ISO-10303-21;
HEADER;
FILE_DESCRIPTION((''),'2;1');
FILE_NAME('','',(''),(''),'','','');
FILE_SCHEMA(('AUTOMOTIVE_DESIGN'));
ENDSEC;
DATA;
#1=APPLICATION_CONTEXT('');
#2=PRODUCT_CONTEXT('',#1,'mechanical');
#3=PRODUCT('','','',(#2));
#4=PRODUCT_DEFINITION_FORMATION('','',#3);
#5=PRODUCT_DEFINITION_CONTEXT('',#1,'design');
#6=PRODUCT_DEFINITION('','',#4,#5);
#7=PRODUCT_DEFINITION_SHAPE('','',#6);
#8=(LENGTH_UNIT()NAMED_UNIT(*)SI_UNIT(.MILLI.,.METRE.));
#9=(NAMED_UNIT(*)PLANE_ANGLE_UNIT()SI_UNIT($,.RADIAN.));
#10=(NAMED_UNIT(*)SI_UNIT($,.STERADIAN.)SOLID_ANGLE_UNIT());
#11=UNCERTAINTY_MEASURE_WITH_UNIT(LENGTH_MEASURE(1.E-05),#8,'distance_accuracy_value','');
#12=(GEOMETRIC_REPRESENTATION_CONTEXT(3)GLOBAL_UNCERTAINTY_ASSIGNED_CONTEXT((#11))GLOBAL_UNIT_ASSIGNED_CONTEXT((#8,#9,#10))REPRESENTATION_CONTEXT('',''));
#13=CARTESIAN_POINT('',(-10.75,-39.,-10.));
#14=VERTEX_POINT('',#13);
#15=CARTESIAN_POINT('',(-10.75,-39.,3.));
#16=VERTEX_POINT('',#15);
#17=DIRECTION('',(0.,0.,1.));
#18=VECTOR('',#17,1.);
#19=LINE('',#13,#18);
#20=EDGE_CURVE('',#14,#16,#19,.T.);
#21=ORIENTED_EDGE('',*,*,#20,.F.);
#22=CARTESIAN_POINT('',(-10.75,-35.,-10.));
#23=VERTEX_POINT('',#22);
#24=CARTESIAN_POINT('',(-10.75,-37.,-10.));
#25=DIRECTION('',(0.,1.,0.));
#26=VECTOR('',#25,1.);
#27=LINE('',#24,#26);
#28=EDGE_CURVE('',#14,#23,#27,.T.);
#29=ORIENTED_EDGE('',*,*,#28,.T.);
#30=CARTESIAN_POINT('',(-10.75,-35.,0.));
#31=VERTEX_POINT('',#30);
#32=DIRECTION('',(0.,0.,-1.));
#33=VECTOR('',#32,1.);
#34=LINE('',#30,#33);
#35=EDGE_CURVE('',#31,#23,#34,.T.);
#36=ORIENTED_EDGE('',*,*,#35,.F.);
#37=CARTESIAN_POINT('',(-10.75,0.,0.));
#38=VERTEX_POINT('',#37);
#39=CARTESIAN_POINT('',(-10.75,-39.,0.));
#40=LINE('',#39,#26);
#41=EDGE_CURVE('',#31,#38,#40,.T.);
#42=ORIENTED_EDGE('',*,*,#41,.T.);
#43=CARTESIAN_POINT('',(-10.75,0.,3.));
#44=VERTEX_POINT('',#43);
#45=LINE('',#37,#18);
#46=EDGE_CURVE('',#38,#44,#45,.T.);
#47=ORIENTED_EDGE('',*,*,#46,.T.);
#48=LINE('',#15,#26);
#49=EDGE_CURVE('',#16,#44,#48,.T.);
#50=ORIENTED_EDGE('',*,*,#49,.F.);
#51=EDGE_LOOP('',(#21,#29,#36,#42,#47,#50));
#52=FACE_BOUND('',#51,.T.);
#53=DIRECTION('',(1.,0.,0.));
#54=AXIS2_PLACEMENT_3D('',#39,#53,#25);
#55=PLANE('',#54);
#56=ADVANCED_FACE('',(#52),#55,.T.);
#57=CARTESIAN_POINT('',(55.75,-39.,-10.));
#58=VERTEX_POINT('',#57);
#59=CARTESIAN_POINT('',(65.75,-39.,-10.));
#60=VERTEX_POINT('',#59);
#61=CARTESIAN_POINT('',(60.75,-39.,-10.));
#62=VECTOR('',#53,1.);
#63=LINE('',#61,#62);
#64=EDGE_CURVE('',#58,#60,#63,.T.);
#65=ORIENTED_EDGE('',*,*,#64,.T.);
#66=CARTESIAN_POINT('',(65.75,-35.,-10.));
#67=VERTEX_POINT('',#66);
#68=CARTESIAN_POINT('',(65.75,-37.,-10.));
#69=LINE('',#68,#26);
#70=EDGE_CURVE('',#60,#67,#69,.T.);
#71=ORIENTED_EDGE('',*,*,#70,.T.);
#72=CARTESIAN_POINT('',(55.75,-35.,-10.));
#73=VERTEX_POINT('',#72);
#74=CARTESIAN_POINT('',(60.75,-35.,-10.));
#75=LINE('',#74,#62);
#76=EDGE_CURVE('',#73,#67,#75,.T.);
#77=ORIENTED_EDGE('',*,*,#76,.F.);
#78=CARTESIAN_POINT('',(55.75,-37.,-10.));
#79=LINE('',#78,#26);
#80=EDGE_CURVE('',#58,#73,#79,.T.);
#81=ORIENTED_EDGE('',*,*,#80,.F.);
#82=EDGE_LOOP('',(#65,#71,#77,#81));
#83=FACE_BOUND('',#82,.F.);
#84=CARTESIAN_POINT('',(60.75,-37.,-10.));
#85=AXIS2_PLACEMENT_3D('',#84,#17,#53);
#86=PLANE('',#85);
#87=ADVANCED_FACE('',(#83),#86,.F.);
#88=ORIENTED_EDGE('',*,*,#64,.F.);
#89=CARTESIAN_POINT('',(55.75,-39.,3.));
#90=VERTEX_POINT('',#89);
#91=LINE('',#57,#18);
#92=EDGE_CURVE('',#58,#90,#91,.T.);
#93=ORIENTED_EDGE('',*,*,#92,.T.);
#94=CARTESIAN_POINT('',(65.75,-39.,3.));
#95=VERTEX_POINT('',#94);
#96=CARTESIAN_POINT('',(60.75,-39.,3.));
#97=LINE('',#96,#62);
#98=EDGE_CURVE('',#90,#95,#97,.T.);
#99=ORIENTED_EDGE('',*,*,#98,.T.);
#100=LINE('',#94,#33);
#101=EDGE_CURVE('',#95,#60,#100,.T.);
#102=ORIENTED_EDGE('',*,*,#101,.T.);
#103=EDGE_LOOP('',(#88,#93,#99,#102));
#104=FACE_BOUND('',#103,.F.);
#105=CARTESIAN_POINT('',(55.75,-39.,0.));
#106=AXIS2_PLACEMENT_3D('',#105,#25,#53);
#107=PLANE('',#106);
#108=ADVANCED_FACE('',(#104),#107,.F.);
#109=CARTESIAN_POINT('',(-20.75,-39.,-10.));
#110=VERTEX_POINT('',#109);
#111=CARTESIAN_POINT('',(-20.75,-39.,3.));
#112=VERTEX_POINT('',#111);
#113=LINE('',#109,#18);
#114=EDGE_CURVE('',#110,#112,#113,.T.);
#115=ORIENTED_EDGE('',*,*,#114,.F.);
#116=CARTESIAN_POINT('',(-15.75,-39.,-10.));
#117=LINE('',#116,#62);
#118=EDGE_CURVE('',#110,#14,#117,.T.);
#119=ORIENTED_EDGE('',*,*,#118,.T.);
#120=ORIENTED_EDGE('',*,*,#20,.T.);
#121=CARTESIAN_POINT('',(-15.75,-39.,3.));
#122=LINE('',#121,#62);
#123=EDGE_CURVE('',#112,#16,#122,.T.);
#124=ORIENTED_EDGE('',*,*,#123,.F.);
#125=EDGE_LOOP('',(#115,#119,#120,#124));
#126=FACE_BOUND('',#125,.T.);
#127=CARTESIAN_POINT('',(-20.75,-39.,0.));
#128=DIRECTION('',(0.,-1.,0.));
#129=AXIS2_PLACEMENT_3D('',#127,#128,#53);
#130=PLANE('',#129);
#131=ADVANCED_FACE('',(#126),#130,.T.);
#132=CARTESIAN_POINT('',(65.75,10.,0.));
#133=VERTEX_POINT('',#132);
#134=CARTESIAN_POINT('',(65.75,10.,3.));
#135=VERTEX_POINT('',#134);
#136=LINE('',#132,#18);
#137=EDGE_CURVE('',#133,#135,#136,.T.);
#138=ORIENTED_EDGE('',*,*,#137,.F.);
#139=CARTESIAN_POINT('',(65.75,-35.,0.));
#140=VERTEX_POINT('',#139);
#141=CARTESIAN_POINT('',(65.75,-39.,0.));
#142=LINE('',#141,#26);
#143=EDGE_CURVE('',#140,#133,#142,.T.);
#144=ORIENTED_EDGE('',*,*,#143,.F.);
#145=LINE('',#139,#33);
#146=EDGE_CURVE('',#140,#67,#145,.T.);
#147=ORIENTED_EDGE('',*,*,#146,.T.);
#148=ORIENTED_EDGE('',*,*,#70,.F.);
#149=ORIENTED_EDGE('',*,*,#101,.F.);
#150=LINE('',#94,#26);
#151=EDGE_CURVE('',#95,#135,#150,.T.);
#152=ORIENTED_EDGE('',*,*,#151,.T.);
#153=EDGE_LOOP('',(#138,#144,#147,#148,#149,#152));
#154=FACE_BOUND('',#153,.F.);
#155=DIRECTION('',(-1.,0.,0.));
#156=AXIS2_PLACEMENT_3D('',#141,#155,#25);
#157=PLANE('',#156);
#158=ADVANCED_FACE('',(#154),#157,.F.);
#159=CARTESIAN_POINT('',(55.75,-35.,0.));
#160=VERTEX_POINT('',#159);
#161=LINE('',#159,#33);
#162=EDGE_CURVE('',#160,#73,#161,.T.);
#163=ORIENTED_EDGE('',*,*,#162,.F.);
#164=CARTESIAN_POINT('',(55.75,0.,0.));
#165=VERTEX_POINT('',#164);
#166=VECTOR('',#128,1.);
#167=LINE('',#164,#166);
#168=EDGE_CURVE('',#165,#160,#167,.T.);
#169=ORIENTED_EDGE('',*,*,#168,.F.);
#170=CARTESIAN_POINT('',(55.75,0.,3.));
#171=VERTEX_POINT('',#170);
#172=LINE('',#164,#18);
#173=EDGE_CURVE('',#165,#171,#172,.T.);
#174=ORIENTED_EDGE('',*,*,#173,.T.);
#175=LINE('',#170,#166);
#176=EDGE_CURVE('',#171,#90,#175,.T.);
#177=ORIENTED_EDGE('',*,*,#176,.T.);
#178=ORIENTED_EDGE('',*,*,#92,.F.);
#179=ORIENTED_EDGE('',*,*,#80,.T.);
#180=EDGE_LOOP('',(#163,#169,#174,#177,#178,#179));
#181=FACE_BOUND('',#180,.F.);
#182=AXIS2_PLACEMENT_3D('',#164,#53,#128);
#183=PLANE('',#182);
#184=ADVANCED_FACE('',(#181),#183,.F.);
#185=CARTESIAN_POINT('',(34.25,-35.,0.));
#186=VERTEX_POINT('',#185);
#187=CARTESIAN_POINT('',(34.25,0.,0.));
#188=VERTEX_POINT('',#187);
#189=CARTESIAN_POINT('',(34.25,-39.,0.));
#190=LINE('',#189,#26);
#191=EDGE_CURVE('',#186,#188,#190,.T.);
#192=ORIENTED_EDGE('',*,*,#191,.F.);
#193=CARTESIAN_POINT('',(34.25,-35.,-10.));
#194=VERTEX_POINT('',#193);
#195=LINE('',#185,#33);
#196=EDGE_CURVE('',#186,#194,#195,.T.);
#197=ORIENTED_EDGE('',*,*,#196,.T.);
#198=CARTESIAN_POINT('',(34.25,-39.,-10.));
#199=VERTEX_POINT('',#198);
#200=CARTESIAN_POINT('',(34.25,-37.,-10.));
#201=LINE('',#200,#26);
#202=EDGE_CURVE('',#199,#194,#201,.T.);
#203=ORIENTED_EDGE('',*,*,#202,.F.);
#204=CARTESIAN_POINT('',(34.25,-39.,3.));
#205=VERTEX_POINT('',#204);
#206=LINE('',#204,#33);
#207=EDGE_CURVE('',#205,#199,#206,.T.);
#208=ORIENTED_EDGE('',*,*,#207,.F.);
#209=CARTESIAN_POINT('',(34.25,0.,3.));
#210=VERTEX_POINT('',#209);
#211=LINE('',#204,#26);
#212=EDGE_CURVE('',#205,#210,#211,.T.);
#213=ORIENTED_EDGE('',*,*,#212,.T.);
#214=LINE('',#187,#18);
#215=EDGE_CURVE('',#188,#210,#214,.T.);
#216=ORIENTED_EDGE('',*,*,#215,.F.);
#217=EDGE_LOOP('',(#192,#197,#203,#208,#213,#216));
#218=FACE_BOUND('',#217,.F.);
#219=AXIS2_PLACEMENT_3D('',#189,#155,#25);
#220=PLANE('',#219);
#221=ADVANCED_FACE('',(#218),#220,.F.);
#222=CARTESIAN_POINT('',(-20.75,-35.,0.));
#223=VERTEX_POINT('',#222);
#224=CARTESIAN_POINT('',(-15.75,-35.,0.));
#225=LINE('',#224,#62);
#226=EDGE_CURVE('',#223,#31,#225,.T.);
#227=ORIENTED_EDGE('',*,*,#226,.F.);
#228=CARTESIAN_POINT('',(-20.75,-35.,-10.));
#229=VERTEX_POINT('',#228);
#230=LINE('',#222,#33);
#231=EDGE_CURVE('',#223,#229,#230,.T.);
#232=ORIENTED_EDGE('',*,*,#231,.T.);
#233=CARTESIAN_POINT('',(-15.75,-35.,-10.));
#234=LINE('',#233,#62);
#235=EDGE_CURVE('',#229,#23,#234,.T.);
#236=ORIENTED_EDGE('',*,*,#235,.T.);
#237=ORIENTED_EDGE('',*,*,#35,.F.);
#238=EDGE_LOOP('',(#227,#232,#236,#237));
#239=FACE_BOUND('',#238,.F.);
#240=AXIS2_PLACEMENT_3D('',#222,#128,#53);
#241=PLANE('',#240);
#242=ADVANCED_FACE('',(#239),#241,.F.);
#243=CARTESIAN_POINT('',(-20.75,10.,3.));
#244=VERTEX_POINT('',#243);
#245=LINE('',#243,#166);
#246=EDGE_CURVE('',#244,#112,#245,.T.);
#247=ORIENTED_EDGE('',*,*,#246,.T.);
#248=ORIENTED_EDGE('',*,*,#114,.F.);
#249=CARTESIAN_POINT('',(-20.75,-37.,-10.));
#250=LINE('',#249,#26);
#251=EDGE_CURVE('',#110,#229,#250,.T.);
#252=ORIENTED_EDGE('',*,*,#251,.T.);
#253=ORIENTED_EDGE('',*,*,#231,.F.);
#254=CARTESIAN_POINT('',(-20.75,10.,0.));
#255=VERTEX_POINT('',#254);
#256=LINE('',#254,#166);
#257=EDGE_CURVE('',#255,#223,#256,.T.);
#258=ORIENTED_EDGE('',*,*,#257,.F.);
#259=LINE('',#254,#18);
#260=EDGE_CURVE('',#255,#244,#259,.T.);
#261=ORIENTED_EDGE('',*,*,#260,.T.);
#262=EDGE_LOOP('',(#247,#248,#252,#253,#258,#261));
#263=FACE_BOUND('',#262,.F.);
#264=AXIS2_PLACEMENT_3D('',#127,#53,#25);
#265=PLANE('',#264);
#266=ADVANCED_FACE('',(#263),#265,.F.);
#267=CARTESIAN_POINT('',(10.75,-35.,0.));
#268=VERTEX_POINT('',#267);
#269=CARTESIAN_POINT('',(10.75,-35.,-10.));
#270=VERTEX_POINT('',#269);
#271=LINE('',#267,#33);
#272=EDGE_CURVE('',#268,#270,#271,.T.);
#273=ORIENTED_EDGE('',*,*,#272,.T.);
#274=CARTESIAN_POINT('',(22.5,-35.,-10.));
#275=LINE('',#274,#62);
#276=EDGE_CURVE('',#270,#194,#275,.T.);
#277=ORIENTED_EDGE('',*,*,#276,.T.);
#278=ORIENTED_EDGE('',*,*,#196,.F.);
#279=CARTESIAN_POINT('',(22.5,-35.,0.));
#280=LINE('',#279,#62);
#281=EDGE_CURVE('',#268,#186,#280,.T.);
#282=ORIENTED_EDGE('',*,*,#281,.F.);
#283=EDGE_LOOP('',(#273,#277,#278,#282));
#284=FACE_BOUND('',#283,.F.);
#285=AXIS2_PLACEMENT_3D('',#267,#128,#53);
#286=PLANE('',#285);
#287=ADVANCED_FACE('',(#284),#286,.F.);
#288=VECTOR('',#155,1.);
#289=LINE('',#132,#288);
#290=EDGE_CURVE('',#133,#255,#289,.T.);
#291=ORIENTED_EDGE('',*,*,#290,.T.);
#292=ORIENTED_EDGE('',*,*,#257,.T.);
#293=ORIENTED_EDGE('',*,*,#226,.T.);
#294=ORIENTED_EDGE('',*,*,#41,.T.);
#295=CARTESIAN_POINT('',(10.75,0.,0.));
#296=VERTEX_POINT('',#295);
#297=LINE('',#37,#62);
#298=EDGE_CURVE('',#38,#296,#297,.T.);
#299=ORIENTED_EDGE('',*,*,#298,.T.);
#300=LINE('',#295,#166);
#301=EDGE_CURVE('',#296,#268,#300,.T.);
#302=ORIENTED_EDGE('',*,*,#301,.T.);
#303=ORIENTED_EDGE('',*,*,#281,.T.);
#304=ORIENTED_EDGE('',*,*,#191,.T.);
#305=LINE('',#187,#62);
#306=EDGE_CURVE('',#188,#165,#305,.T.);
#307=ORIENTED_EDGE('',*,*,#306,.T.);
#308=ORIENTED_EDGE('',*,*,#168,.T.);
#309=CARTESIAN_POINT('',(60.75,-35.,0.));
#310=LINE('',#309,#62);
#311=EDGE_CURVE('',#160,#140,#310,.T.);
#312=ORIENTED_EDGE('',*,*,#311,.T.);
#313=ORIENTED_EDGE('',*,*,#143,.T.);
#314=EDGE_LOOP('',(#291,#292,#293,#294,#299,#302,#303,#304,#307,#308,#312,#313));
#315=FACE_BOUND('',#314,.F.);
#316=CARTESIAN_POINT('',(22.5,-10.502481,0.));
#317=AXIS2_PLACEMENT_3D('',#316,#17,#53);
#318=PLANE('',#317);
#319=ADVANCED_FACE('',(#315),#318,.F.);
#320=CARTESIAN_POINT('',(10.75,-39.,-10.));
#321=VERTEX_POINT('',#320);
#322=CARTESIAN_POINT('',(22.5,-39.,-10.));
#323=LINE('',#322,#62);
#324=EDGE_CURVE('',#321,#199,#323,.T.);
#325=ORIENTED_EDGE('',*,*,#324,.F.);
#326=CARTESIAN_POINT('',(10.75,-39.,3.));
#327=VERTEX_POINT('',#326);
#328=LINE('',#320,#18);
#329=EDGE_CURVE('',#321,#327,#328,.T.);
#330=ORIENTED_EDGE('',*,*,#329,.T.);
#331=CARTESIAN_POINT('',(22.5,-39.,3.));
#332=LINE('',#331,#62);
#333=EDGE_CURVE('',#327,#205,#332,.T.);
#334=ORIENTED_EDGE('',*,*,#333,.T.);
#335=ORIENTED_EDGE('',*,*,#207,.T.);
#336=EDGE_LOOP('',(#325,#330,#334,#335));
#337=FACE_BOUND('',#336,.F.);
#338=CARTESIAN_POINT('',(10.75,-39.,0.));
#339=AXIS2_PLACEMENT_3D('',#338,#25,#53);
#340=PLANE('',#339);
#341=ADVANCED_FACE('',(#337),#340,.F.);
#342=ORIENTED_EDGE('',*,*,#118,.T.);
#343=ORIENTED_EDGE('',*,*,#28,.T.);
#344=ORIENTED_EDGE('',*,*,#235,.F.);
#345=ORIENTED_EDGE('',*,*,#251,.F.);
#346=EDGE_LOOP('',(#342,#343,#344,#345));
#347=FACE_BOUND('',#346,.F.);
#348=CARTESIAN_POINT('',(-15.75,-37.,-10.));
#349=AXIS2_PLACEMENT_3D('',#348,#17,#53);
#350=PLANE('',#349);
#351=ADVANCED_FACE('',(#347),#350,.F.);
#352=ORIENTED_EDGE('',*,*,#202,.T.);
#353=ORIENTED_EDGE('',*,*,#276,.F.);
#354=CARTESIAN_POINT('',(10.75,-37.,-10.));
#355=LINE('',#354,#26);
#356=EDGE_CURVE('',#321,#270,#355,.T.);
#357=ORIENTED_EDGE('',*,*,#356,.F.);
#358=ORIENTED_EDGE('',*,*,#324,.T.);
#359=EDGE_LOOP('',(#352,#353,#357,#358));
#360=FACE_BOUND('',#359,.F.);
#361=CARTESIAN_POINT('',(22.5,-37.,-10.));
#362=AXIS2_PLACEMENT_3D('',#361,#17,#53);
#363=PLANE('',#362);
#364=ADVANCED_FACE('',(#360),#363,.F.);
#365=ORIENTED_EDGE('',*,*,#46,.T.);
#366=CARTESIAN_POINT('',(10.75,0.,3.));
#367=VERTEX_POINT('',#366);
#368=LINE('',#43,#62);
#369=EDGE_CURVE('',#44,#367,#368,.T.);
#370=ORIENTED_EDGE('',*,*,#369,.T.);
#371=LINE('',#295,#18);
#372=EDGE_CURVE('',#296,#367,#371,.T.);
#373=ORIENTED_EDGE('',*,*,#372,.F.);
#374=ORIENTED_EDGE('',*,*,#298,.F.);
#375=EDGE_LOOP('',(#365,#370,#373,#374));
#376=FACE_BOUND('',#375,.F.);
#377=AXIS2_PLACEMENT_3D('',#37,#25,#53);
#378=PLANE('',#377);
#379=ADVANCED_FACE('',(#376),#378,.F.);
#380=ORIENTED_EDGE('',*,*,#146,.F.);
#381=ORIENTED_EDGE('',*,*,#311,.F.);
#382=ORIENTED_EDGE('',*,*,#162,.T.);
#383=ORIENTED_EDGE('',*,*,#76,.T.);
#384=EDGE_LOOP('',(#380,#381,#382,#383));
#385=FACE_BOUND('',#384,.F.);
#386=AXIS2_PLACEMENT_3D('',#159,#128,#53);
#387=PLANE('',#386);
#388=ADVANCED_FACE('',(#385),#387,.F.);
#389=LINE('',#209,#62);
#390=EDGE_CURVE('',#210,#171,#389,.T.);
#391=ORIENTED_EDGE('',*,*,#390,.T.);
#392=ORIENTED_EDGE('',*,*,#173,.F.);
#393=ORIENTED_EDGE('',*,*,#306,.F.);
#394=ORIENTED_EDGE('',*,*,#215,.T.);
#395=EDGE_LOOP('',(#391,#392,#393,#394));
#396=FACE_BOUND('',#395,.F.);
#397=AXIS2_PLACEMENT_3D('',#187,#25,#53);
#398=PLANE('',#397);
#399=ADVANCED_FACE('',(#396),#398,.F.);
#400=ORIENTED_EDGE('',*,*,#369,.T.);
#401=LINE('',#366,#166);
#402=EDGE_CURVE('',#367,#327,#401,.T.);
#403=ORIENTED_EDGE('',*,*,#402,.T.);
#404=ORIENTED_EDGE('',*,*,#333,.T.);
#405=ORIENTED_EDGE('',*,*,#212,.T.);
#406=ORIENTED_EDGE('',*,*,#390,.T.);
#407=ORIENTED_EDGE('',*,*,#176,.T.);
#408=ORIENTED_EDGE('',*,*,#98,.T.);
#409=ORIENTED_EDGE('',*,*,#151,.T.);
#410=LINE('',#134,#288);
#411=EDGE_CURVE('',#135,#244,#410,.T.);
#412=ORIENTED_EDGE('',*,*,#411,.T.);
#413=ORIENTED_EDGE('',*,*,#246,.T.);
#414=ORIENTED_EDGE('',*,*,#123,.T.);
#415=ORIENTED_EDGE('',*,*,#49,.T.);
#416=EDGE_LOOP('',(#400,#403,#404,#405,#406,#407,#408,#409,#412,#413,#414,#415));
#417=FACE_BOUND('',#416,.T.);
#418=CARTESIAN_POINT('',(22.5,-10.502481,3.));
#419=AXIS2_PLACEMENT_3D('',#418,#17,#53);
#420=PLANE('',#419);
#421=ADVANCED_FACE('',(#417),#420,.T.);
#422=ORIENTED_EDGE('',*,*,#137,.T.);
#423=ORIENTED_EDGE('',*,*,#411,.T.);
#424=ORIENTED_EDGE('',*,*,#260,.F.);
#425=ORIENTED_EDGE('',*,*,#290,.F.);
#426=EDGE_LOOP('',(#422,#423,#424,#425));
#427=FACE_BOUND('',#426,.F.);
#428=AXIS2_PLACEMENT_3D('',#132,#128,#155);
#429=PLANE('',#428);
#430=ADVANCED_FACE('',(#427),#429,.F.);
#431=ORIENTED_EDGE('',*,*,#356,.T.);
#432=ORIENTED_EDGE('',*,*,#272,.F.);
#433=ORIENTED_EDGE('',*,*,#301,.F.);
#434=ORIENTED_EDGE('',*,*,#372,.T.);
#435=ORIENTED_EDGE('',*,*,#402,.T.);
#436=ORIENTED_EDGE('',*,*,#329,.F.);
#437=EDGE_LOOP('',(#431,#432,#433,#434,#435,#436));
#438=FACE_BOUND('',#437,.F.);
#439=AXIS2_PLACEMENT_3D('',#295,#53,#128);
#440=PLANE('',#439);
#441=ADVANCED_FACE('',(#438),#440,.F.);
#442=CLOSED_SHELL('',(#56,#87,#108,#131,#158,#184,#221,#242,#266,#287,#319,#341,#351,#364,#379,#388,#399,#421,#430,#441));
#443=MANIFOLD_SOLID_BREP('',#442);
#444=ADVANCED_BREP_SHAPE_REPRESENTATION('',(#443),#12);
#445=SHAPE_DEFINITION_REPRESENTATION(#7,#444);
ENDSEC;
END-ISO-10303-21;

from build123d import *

# Parameters (mm, degrees)
F0_W     = 10
F0_H     = 4
F0_W_2   = 23.5
F1_DEPTH = 3
F2_DEPTH = 10


with BuildPart() as f1:
    # F0 (on Top) → F1 (new body)
    with BuildSketch(Plane.XY):
        Polygon((-10.75, -35), (-10.75, 0), (10.75, 0), (10.75, -35), (34.25, -35), (34.25, 0), (55.75, 0), (55.75, -35), (65.75, -35), (65.75, 10), (-20.75, 10), (-20.75, -35), align=None)
        with Locations((-15.75, -37)):
            Rectangle(F0_W, F0_H)
        with Locations((22.5, -37)):
            Rectangle(F0_W_2, F0_H)
        with Locations((60.75, -37)):
            Rectangle(F0_W, F0_H)
    extrude(amount=F1_DEPTH)

    # F0 (on Top) → F2 (join)
    with BuildSketch(Plane.XY):
        with Locations((-15.75, -37)):
            Rectangle(F0_W, F0_H)
        with Locations((22.5, -37)):
            Rectangle(F0_W_2, F0_H)
        with Locations((60.75, -37)):
            Rectangle(F0_W, F0_H)
    extrude(amount=-F2_DEPTH)


solid = f1.part
